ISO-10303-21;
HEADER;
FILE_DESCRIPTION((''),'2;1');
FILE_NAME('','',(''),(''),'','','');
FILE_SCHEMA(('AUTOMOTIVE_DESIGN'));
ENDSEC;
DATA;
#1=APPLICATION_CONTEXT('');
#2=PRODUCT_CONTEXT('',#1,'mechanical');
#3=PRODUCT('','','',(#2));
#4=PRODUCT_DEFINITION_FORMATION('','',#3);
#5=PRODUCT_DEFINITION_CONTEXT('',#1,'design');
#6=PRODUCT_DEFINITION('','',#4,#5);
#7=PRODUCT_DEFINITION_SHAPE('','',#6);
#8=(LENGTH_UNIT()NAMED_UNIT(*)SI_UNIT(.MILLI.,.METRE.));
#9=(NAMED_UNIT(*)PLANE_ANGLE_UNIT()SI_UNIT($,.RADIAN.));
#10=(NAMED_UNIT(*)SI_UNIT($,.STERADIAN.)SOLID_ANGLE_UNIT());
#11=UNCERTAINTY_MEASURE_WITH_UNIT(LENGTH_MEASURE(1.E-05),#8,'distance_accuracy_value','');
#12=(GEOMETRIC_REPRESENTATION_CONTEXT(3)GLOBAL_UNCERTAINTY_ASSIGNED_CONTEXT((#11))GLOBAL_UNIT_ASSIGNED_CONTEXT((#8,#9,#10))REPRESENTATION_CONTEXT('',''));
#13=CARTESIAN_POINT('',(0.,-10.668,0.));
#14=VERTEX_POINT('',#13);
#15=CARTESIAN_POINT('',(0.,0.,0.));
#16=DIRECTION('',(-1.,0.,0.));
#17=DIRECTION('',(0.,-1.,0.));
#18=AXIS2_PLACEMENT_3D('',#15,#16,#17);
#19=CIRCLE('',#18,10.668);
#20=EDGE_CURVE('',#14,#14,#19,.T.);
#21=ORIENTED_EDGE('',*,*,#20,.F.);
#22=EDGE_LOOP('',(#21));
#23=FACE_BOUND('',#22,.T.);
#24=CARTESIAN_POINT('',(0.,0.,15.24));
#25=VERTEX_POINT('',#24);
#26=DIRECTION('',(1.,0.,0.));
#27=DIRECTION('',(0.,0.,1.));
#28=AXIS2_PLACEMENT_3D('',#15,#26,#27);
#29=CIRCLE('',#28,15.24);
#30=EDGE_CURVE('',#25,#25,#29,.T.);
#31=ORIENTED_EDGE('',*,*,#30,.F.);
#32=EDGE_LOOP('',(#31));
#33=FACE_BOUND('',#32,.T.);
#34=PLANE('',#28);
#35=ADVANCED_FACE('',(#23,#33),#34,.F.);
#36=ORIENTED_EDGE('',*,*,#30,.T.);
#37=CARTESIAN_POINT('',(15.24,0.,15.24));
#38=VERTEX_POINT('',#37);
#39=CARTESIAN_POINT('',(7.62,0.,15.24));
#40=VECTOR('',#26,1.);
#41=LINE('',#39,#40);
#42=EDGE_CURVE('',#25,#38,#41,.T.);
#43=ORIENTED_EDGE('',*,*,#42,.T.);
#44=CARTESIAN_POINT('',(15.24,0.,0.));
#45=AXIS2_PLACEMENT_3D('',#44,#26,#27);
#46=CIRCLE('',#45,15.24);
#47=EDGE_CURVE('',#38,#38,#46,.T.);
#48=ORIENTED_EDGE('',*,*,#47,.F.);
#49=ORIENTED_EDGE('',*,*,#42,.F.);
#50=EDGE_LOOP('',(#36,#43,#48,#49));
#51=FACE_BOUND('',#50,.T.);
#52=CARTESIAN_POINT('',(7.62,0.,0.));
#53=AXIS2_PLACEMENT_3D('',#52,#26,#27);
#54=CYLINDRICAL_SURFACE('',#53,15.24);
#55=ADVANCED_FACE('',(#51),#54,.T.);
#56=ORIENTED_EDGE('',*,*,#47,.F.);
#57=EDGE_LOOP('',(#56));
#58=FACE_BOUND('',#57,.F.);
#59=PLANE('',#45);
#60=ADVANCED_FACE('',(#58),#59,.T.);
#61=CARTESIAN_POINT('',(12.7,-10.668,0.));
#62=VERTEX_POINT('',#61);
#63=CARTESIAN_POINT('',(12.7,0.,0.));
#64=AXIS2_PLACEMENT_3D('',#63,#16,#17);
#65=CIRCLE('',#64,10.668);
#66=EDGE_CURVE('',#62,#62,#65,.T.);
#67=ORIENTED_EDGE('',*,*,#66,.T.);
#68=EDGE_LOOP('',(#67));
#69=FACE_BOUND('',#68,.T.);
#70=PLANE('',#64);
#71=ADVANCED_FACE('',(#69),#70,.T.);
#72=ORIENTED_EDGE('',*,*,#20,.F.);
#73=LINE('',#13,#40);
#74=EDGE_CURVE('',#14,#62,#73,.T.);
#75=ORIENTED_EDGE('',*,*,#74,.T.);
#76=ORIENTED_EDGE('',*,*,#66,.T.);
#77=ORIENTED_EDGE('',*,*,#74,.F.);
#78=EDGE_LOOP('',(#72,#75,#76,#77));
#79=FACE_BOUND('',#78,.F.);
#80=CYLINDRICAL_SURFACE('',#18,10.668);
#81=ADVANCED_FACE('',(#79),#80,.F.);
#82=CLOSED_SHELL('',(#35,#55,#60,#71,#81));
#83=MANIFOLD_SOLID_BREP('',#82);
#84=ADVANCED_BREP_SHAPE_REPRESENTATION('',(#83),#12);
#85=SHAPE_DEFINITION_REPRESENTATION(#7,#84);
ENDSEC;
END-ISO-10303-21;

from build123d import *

# Parameters (mm, degrees)
F0_W     = 15.24
F0_H     = 15.24
F2_R     = 10.668
F3_DEPTH = 12.7


with BuildPart() as f1:
    # F0 (on Front) → F1 (revolve)
    with BuildSketch(Plane.XZ):
        with Locations((7.62, 7.62)):
            Rectangle(F0_W, F0_H)
    revolve(axis=Axis((7.62, 0, 0), (1, 0, 0)))

    # F2 (on face) → F3 (cut)
    with BuildSketch(Plane(origin=(0, 0, 0), x_dir=(0, -1, 0), z_dir=(-1, 0, 0))):
        Circle(F2_R)
    extrude(amount=-F3_DEPTH, mode=Mode.SUBTRACT)


solid = f1.part
